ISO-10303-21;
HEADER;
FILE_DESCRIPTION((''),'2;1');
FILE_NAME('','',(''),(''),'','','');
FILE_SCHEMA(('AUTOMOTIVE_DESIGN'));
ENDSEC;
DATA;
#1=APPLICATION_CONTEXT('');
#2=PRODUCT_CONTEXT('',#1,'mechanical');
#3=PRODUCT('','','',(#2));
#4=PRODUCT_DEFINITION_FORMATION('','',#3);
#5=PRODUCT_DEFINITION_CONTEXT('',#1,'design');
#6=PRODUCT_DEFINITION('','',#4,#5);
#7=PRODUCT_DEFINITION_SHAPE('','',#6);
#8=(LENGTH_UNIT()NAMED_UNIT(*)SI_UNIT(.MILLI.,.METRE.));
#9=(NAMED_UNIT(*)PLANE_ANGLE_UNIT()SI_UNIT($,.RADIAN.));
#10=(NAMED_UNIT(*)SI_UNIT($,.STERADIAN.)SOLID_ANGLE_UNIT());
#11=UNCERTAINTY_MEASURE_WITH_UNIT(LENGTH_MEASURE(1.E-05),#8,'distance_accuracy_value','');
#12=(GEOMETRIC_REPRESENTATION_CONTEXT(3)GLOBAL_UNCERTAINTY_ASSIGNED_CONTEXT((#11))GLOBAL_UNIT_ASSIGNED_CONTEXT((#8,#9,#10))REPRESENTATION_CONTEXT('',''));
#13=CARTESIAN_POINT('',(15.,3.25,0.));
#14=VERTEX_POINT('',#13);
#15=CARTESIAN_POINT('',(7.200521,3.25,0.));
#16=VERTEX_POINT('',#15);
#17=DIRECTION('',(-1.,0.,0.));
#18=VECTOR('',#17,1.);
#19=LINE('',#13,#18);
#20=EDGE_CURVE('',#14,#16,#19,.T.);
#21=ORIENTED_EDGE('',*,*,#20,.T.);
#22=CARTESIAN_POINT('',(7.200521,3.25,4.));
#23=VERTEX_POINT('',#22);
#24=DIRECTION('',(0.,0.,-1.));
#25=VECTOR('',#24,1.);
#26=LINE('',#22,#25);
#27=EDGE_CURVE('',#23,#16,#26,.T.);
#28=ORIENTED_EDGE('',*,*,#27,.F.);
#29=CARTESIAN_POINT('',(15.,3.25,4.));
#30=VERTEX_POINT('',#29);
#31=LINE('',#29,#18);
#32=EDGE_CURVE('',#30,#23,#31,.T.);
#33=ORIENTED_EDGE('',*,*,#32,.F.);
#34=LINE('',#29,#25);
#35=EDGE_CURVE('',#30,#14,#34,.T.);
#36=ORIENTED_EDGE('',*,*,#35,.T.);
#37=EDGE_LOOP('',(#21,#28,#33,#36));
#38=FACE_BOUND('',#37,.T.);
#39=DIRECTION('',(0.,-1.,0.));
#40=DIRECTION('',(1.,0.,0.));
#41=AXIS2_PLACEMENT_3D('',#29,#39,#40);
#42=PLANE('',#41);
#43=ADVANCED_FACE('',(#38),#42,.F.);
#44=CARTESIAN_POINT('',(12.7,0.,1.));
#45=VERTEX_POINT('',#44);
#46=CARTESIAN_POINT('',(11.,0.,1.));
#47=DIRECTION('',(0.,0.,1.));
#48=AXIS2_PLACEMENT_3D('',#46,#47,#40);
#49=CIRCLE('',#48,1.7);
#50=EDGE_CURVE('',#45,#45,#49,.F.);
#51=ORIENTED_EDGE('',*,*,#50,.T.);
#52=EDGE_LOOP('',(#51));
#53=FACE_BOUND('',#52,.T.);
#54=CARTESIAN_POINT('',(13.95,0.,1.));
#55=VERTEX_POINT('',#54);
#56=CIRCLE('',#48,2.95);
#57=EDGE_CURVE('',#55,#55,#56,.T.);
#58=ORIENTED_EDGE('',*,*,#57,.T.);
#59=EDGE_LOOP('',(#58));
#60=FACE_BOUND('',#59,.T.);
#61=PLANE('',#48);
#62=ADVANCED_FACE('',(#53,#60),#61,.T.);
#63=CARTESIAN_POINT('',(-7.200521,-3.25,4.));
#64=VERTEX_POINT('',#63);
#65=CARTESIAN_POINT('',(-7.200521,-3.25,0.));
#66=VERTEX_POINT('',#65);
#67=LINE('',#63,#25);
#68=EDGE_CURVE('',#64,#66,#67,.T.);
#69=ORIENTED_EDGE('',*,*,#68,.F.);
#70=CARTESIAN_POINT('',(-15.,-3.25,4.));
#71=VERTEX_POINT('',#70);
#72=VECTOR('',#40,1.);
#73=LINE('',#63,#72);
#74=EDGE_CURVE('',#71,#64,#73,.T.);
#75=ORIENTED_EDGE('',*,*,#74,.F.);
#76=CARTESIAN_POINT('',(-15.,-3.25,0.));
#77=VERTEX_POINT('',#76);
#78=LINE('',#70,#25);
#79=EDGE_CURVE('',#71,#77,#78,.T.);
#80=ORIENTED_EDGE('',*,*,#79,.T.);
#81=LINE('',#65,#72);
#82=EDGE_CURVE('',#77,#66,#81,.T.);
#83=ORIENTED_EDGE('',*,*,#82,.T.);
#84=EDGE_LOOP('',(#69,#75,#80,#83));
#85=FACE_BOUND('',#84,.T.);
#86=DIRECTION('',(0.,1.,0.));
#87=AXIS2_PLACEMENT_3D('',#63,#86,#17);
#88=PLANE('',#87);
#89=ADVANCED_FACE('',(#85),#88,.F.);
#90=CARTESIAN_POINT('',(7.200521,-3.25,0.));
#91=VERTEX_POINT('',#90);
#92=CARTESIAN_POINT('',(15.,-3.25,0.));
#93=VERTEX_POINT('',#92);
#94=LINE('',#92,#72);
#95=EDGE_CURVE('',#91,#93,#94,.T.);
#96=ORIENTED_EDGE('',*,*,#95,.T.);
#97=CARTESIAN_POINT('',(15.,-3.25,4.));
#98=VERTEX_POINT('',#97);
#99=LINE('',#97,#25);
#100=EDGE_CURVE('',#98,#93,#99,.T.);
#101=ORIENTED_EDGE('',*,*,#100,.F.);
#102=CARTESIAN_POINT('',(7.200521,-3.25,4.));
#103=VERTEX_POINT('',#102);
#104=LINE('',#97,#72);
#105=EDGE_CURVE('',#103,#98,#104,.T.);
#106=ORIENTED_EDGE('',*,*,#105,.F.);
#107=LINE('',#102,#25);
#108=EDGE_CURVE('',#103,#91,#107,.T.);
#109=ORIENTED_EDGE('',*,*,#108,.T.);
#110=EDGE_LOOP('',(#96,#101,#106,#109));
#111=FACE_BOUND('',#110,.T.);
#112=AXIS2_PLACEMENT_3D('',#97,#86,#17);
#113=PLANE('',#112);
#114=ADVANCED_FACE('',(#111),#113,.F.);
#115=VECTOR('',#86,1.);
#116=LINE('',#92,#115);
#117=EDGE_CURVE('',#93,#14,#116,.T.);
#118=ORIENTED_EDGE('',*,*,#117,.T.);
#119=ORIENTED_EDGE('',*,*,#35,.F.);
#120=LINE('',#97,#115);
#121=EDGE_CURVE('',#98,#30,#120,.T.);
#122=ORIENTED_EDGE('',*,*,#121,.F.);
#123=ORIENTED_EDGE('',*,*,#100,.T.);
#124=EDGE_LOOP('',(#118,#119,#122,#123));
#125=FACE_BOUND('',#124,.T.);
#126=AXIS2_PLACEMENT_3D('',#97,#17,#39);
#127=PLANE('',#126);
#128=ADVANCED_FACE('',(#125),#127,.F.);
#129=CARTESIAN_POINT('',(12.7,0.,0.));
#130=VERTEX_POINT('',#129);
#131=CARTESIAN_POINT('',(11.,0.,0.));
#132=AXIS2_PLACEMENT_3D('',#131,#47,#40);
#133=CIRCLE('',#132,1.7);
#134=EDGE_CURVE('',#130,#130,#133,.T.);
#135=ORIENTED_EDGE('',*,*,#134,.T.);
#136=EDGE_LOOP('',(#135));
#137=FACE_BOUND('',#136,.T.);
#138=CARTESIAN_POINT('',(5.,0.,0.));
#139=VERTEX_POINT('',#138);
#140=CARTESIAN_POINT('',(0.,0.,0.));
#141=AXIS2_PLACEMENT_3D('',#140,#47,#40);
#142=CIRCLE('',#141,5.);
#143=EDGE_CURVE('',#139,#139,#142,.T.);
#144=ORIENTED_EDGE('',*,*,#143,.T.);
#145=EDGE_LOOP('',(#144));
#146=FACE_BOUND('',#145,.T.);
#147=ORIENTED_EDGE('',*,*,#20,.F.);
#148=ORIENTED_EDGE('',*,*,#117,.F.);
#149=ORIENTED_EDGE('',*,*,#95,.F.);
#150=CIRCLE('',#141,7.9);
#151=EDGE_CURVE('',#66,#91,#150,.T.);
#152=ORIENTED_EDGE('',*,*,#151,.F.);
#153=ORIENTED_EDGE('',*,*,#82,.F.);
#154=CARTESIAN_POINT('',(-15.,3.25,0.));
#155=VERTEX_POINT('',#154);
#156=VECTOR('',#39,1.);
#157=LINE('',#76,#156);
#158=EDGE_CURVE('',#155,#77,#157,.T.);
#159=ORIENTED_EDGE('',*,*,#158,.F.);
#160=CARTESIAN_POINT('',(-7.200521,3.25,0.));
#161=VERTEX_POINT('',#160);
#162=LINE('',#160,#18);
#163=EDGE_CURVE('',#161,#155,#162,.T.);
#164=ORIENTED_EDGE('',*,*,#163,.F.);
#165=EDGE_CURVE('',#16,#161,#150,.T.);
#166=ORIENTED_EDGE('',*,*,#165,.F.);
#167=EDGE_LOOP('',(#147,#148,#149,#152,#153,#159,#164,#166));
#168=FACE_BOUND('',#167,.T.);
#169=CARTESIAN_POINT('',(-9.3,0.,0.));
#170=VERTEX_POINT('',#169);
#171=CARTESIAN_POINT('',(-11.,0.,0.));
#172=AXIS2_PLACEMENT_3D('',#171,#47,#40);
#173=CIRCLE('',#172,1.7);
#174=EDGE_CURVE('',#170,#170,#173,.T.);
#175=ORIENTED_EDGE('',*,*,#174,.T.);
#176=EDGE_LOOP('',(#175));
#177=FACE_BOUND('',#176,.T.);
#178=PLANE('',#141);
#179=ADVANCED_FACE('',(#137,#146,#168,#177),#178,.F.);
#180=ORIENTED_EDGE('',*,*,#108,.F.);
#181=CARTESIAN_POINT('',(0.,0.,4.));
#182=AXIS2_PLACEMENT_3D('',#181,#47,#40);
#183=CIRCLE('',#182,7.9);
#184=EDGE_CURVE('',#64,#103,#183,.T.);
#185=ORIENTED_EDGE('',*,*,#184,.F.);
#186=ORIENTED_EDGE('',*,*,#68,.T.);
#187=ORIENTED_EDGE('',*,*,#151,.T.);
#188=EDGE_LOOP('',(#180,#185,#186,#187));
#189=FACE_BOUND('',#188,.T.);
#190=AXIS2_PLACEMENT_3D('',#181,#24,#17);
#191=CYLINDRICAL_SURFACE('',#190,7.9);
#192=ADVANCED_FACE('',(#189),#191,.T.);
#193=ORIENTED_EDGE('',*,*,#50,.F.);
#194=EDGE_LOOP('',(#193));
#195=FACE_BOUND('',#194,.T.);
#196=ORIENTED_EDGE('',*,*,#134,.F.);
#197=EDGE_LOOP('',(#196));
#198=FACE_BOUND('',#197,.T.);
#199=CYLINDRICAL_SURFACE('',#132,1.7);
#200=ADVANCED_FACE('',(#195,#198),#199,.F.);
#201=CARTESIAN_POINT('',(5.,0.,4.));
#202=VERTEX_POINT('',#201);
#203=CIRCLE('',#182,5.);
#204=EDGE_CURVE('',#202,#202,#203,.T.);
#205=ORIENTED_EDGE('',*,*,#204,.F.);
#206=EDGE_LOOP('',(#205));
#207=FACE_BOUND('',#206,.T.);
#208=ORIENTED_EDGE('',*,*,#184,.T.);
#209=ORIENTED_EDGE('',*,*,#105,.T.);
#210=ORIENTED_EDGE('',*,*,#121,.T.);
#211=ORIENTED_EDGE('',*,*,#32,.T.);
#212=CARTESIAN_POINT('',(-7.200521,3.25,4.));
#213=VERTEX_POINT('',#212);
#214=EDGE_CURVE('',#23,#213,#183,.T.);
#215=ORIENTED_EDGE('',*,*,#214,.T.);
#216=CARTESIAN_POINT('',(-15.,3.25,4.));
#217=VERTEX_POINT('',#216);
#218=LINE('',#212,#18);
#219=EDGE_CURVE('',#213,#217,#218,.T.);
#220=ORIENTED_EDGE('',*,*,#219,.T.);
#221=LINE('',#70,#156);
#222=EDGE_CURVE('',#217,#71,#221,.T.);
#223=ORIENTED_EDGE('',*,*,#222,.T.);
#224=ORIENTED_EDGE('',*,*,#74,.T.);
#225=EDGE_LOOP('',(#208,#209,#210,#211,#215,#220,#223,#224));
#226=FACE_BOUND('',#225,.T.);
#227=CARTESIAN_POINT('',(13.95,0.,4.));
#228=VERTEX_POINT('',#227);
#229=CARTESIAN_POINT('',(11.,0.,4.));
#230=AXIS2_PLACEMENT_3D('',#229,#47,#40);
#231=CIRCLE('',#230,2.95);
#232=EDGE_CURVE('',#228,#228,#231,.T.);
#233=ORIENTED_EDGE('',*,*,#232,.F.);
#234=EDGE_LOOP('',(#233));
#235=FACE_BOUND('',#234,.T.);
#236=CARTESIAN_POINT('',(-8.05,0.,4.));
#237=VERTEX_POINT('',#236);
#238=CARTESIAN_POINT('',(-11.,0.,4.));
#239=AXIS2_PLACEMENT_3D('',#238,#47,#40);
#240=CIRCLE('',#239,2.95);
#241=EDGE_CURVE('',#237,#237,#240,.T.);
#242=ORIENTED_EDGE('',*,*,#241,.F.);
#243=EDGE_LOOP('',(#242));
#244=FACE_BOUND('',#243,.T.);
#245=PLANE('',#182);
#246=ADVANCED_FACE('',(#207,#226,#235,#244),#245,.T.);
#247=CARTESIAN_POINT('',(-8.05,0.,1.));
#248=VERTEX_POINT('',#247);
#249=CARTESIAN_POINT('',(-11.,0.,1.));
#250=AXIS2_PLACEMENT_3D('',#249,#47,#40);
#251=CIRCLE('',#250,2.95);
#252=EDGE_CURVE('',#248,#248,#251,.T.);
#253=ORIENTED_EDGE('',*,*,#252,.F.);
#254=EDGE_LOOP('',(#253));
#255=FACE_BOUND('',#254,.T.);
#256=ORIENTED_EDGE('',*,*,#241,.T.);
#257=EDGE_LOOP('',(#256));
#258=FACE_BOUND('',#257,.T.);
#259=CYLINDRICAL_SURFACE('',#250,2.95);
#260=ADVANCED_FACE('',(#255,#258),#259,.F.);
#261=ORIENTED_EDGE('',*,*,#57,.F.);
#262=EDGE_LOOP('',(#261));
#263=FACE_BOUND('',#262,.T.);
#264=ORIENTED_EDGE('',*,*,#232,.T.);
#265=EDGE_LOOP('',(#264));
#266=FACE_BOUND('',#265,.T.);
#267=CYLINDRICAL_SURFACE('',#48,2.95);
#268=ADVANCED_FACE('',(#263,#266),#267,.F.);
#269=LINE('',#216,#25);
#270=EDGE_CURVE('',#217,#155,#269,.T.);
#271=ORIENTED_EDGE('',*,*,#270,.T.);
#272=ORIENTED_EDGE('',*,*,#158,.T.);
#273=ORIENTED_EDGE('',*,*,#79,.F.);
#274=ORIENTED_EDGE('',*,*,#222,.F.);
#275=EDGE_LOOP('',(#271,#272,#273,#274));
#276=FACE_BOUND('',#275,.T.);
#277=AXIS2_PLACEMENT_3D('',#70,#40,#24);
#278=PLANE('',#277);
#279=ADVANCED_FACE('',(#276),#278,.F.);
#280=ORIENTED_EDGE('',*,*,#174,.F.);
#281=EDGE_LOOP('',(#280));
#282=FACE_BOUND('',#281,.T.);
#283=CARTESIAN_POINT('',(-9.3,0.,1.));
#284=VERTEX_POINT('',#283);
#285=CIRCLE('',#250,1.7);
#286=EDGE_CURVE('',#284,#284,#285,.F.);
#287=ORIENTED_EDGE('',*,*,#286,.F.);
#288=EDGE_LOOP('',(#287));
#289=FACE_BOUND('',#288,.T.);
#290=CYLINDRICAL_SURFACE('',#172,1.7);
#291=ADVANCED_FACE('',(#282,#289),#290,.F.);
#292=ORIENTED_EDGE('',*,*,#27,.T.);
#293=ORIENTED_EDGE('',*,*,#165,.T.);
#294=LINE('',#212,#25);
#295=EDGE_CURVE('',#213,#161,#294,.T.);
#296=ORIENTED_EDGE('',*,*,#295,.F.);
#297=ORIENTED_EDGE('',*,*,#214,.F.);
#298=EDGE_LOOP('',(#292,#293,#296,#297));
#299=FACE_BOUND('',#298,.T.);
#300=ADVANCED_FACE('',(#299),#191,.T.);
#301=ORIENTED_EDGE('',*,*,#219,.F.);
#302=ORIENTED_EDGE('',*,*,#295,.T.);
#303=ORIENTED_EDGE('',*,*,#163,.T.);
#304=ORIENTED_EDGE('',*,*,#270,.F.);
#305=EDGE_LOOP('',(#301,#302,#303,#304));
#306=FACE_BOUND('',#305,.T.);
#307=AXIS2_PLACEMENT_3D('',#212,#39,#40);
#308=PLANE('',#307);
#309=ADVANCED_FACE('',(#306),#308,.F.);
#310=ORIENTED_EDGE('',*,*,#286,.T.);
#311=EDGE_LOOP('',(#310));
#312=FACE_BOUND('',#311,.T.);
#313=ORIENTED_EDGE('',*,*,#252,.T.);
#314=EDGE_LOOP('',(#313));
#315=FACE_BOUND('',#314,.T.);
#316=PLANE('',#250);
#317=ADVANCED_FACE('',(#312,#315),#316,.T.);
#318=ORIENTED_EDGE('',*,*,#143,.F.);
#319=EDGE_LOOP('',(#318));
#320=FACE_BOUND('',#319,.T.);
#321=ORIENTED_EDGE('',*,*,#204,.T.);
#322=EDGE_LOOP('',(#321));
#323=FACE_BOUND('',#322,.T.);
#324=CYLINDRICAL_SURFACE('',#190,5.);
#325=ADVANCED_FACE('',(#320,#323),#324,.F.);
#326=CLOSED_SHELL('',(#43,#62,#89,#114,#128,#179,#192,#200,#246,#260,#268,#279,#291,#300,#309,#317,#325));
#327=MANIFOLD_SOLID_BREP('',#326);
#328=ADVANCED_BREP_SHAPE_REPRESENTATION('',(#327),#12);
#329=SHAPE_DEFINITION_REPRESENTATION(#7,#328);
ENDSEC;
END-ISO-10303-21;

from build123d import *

# Parameters (mm, degrees)
CROQUIS1_R              = 5
SALIENTE_EXTRUIR1_DEPTH = 4
CROQUIS2_R              = 1.7
CORTAR_EXTRUIR1_DEPTH   = 4
CROQUIS3_R              = 2.95
CORTAR_EXTRUIR2_DEPTH   = 3


with BuildPart() as part:
    # Croquis1 → Saliente-Extruir1 (new body)
    with BuildSketch(Plane.XY):
        with BuildLine():
            Line((-7.200520814, 3.25), (-15, 3.25))
            Line((-15, 3.25), (-15, -3.25))
            Line((-15, -3.25), (-7.200520814, -3.25))
            ThreePointArc((-7.200520814, -3.25), (0, -7.9), (7.200520814, -3.25))
            Line((7.200520814, -3.25), (15, -3.25))
            Line((15, -3.25), (15, 3.25))
            Line((15, 3.25), (7.200520814, 3.25))
            ThreePointArc((7.200520814, 3.25), (0, 7.9), (-7.200520814, 3.25))
        make_face()
        Circle(CROQUIS1_R, mode=Mode.SUBTRACT)
    extrude(amount=SALIENTE_EXTRUIR1_DEPTH)

    # Croquis2 → Cortar-Extruir1 (cut)
    with BuildSketch(Plane.XY.offset(4)):
        with Locations((-11, 0)):
            Circle(CROQUIS2_R)
        with Locations((11, 0)):
            Circle(CROQUIS2_R)
    extrude(amount=-CORTAR_EXTRUIR1_DEPTH, mode=Mode.SUBTRACT)

    # Croquis3 → Cortar-Extruir2 (cut)
    with BuildSketch(Plane.XY.offset(4)):
        with Locations((-11, 0)):
            Circle(CROQUIS3_R)
        with Locations((11, 0)):
            Circle(CROQUIS3_R)
    extrude(amount=-CORTAR_EXTRUIR2_DEPTH, mode=Mode.SUBTRACT)


solid = part.part
